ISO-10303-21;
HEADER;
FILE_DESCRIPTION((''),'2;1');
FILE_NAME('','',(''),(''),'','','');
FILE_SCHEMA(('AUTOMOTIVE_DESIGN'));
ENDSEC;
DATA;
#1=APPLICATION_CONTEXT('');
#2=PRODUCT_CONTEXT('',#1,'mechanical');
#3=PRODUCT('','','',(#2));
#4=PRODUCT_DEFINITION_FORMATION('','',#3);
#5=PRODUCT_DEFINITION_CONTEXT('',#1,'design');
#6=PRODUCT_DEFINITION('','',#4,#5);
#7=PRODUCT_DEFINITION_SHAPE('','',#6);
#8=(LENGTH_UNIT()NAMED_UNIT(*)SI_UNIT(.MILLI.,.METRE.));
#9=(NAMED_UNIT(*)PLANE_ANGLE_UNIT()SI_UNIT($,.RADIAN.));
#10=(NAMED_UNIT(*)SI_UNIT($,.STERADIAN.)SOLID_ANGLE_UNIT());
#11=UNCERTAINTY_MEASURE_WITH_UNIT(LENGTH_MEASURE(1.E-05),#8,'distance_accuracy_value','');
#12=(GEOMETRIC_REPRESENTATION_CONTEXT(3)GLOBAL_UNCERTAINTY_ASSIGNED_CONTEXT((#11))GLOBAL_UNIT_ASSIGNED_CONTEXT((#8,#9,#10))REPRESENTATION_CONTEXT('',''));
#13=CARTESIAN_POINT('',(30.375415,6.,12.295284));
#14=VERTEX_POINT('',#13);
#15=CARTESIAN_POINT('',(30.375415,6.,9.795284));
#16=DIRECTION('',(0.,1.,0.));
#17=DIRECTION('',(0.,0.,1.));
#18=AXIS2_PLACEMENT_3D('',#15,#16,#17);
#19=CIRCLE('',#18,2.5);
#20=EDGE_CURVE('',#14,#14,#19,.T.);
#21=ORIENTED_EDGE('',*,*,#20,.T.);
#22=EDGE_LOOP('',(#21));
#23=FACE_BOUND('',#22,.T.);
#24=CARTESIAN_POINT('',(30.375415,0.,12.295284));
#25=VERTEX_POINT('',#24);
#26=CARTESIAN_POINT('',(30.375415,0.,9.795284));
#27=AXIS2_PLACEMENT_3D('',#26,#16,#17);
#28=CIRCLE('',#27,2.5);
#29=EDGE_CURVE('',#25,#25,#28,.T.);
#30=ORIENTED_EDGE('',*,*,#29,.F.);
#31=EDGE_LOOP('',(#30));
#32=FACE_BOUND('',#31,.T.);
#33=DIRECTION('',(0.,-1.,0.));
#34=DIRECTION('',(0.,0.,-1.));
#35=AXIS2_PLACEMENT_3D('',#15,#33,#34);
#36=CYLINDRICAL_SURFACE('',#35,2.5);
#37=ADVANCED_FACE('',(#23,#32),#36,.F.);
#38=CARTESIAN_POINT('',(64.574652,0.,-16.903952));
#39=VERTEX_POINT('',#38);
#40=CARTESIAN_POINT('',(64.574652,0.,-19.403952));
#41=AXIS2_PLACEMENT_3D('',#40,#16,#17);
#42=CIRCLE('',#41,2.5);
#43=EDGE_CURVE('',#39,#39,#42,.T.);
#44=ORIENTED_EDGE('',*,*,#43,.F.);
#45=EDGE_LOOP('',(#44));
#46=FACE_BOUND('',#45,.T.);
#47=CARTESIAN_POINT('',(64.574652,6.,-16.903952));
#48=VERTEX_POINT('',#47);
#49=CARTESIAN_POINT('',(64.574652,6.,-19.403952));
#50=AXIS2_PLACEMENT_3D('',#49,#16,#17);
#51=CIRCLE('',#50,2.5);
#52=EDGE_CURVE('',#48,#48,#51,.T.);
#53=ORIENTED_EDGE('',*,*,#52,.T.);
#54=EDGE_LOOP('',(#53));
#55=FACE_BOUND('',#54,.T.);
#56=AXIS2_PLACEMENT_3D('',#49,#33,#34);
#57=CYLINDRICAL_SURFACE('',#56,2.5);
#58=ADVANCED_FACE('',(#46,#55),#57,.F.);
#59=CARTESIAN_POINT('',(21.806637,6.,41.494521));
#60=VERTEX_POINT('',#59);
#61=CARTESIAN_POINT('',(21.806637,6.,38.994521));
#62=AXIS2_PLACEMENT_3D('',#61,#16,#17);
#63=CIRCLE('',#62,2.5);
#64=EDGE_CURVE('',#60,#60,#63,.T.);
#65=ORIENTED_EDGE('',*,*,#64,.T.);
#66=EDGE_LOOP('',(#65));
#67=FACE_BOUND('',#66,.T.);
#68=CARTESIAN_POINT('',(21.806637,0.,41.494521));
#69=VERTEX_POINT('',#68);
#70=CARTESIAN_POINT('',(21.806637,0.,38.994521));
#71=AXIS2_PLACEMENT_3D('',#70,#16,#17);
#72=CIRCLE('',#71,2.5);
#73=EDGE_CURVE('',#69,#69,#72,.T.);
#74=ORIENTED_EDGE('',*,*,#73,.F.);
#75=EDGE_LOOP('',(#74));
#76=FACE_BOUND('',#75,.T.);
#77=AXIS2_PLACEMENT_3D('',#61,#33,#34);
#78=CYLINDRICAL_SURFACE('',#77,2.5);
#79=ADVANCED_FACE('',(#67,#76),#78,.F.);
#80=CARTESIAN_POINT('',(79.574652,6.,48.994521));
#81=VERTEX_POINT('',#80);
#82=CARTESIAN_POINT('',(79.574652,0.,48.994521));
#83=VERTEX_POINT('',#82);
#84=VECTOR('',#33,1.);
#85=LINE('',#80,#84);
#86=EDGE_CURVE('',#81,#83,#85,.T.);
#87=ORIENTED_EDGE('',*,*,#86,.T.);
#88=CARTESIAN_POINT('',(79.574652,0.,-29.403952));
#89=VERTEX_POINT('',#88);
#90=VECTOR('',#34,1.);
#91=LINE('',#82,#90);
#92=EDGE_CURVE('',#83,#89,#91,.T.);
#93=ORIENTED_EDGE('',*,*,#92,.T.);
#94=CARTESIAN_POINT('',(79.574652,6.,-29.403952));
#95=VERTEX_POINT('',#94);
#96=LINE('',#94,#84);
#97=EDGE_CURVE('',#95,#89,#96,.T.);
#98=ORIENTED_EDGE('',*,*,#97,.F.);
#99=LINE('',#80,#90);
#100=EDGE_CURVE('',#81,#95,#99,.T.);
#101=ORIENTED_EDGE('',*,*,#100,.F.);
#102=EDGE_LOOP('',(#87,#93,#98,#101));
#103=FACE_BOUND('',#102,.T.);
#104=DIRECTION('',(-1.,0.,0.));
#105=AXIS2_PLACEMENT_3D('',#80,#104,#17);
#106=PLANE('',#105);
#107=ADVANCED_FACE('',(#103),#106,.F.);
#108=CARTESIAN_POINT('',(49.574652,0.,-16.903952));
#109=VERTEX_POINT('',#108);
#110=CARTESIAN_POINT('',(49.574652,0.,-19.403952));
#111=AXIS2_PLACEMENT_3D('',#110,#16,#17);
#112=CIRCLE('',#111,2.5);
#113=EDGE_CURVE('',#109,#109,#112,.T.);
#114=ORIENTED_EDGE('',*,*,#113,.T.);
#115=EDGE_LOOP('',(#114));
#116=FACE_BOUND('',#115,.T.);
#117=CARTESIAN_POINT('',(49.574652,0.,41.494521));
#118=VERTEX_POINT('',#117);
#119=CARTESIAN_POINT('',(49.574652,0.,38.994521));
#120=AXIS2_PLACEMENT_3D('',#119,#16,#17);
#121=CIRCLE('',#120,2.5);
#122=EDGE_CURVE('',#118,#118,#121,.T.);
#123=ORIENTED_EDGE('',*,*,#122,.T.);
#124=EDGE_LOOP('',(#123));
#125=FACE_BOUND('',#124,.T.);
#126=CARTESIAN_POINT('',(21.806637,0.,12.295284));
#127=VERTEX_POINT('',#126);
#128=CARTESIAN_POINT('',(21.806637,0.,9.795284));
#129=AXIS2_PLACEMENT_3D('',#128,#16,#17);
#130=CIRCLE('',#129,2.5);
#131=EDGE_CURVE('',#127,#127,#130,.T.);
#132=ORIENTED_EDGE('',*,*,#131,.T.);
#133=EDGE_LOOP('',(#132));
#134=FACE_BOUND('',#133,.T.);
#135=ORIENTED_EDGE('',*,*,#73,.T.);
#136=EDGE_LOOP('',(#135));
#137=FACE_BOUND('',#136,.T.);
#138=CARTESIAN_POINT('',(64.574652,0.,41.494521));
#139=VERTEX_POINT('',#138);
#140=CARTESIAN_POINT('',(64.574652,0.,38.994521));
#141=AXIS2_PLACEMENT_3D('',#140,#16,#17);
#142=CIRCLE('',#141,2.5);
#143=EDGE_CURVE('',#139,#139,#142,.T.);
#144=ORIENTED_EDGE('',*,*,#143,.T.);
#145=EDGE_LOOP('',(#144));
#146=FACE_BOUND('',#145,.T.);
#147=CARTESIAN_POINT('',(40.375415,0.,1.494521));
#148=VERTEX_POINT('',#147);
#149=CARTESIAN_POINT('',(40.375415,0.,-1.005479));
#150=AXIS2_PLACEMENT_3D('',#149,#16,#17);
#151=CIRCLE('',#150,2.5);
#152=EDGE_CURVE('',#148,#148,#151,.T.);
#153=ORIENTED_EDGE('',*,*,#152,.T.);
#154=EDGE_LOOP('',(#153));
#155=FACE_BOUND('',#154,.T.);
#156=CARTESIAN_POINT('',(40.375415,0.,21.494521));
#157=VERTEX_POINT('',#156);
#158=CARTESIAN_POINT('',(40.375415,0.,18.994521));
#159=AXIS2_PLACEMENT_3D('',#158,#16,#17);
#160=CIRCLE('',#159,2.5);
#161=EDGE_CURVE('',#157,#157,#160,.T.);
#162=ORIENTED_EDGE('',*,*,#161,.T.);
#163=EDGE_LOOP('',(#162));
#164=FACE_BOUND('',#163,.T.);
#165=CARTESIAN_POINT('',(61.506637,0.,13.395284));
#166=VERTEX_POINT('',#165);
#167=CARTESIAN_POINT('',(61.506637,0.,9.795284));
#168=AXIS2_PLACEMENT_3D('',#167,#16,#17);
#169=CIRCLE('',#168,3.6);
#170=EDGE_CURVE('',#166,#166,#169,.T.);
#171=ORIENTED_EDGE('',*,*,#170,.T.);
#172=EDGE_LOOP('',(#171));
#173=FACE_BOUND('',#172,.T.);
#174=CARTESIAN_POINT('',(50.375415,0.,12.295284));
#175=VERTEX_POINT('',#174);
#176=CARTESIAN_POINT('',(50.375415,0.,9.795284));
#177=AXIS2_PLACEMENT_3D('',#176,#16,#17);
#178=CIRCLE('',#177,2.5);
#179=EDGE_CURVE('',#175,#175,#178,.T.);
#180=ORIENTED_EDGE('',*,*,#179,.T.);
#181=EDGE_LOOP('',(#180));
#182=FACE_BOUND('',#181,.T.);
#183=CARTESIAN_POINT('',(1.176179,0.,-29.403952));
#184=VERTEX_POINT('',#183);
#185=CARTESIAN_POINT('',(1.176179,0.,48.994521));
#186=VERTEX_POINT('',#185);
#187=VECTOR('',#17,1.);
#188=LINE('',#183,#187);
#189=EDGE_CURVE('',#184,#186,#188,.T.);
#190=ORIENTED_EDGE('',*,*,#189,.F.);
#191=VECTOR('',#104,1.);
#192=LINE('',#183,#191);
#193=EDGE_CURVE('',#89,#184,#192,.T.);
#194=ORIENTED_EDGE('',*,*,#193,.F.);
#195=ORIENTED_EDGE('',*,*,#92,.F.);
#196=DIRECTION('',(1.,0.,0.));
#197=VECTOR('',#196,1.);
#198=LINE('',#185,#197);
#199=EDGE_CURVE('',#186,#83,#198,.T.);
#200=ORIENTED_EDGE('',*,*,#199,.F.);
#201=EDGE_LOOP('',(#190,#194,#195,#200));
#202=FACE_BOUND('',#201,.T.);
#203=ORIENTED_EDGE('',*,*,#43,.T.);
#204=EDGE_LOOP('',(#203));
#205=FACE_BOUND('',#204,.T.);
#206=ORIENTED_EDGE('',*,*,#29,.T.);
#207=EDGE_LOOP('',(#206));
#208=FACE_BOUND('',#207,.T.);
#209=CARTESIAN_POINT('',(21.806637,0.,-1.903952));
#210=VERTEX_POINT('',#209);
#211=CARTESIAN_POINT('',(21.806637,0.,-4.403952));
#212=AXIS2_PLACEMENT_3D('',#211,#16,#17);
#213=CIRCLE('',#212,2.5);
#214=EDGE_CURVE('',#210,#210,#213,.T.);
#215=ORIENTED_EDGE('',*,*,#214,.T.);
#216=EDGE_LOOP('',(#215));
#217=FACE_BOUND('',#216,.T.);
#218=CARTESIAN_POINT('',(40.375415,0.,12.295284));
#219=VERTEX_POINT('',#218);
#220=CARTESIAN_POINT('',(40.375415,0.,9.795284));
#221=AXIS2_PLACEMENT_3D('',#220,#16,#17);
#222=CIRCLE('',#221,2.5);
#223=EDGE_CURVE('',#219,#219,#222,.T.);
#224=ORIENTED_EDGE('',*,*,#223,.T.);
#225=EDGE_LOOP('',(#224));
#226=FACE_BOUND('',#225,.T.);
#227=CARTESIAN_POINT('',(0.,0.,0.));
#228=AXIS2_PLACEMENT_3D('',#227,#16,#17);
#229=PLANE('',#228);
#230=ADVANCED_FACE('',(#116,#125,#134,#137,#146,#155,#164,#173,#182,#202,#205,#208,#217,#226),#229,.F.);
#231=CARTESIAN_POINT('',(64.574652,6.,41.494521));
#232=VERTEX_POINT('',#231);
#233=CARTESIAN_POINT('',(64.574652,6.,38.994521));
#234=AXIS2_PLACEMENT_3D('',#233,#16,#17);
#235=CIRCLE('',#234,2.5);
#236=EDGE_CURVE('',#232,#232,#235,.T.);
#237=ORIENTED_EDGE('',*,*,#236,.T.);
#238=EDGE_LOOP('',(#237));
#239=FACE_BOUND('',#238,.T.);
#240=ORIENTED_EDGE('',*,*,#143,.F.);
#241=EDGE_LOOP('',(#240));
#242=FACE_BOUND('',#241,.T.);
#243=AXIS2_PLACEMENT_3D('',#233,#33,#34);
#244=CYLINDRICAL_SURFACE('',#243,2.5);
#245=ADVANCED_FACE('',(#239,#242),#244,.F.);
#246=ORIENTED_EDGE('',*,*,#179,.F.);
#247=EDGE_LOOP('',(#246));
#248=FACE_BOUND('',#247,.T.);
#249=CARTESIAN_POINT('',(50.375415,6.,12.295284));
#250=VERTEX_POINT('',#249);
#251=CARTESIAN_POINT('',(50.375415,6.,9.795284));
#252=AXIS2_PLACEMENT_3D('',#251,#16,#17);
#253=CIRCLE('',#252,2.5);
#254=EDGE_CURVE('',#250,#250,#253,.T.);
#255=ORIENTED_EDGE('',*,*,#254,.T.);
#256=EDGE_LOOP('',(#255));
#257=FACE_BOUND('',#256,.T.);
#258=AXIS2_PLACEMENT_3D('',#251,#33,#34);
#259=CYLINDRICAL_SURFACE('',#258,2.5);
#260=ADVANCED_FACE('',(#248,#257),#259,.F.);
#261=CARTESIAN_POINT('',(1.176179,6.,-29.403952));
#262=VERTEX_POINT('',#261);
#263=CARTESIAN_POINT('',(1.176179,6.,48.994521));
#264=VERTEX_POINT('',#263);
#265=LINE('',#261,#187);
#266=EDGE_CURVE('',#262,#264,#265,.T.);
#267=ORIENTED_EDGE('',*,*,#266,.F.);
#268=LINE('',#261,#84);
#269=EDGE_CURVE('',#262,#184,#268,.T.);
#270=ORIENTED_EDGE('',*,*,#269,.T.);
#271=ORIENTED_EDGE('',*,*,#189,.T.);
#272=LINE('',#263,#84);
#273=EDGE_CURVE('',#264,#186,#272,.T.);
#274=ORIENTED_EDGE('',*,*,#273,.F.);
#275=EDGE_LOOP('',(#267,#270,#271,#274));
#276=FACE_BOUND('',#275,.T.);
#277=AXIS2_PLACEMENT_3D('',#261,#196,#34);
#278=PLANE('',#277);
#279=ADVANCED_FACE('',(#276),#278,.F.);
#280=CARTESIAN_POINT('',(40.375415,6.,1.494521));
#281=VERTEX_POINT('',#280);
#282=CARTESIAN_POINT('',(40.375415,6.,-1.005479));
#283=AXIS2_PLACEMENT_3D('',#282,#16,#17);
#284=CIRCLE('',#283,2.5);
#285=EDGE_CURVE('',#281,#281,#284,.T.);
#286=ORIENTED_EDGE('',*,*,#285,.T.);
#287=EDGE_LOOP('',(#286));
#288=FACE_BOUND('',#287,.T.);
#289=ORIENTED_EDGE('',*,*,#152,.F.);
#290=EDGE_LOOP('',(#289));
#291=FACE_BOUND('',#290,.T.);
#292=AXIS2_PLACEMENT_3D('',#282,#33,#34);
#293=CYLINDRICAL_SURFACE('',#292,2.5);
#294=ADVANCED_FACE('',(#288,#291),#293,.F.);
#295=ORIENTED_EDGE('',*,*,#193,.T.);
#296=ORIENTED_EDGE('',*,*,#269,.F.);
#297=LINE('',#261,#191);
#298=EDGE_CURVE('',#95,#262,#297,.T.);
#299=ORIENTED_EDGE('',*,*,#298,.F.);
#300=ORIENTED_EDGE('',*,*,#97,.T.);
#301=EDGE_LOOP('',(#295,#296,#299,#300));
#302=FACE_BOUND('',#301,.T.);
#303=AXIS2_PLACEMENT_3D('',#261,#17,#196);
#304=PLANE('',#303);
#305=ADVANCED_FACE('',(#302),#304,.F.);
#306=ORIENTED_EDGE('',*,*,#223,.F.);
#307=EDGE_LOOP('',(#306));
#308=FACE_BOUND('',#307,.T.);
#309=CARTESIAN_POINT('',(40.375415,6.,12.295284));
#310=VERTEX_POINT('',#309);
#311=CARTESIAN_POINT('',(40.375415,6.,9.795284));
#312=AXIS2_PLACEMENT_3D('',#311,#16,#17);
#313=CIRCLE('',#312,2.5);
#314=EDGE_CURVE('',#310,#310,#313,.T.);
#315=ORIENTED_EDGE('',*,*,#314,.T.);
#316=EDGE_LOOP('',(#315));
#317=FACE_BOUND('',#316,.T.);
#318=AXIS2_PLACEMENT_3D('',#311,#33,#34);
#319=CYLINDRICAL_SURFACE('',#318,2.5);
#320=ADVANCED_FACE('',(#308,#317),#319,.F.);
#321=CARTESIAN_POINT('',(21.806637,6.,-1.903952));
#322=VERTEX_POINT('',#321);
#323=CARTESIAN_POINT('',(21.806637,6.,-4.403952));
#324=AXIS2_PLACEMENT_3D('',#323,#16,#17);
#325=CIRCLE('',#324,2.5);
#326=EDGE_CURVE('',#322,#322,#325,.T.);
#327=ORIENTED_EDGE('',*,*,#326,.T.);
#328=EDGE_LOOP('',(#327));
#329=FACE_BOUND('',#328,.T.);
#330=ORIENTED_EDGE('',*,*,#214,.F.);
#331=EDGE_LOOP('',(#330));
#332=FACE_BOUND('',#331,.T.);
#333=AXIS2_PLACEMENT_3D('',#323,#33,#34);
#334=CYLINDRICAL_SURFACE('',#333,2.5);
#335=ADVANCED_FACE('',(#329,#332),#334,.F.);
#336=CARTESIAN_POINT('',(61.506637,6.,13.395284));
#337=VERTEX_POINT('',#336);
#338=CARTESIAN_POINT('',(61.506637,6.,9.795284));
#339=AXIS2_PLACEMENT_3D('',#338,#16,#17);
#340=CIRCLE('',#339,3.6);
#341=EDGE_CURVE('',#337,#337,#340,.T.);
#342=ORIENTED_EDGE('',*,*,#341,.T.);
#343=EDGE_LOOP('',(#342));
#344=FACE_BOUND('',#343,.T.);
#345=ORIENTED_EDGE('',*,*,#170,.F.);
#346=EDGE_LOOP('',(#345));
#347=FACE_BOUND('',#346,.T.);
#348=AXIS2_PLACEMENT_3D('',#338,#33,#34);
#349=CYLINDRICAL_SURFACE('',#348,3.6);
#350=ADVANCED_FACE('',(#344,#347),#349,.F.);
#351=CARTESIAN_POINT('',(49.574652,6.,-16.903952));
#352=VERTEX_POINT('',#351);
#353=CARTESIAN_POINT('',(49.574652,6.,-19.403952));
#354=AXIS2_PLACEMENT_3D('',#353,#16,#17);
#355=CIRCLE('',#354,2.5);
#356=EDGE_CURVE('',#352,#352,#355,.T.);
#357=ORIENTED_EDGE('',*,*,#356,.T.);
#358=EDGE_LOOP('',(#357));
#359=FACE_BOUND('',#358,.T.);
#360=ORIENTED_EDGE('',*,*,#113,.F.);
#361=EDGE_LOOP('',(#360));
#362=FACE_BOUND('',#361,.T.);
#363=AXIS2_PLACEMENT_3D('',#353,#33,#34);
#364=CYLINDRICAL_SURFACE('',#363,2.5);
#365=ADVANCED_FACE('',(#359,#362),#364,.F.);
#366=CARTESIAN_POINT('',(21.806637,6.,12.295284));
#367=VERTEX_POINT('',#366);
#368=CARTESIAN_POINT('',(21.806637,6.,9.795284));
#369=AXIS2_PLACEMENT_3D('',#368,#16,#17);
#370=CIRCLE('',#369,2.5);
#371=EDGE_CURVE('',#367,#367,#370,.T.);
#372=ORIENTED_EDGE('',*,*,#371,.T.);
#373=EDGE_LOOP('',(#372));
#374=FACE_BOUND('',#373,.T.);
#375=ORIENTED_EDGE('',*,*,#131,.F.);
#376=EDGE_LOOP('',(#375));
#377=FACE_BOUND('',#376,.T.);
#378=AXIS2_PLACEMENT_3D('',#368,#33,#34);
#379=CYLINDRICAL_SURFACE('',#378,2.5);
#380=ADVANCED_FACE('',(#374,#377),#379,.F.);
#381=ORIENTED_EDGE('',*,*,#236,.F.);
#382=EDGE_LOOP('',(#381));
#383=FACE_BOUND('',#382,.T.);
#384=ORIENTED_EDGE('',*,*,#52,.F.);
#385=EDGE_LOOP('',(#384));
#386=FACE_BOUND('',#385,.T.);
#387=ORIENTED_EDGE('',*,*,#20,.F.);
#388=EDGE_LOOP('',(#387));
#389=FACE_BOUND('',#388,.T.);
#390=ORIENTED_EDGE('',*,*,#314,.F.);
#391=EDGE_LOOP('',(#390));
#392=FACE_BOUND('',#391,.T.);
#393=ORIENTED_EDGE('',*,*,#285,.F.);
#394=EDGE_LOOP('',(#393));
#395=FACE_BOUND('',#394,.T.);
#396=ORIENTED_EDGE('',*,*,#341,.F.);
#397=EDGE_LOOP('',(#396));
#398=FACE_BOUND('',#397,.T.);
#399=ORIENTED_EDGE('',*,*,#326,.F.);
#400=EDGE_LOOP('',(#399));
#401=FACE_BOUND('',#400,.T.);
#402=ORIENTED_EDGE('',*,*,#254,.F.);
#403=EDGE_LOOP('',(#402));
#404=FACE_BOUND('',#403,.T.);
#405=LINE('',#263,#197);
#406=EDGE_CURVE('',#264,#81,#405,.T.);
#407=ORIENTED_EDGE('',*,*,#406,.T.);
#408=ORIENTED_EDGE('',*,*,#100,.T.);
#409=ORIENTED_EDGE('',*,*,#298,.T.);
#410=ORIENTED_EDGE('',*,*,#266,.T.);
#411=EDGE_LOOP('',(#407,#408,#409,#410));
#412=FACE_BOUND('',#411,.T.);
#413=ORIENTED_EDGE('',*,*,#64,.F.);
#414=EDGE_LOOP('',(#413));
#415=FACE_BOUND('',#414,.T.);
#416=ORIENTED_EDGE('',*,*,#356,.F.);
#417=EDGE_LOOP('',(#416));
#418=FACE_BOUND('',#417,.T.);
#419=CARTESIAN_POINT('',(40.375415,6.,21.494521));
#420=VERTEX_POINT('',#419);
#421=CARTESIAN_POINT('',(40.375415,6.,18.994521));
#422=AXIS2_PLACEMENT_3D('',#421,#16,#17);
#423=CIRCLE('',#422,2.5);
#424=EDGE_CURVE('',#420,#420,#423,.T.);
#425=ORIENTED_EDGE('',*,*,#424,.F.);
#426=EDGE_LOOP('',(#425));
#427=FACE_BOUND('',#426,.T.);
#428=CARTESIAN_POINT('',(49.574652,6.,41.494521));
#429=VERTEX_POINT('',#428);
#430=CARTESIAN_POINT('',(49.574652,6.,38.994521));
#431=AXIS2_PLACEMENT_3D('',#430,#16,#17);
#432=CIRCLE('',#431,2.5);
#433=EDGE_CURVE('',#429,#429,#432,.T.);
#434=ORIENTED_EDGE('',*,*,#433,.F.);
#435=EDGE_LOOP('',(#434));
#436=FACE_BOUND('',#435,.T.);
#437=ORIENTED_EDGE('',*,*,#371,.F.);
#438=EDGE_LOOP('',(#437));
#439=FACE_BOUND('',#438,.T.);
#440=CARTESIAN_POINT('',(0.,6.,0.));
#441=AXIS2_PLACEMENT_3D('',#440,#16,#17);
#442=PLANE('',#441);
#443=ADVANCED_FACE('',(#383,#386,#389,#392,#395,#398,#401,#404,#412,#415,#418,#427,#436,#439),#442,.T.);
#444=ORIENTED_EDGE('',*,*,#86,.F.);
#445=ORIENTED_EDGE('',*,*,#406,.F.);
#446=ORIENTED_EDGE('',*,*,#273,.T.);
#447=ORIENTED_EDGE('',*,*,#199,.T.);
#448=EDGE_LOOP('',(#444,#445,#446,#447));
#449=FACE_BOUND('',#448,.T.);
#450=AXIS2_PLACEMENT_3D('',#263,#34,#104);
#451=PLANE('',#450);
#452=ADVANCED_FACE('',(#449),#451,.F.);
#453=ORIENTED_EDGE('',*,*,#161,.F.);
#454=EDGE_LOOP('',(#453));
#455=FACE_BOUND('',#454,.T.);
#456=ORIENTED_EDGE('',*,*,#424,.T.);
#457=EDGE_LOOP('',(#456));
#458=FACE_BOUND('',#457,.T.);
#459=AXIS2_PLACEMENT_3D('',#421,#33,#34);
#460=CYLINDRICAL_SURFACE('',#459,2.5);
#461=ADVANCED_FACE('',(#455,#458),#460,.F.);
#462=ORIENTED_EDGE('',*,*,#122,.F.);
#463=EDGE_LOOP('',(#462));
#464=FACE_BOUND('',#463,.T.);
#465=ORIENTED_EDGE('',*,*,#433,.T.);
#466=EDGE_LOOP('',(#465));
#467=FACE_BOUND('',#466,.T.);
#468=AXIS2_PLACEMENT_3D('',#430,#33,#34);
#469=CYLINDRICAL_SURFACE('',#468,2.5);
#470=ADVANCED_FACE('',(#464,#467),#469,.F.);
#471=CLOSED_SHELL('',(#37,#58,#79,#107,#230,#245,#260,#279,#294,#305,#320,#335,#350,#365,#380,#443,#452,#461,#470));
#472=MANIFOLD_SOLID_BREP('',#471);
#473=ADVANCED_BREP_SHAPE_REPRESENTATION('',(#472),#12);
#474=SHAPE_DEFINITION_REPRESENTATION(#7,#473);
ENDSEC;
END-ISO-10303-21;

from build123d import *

# Parameters (mm, degrees)
SKETCH1_W           = 78.398472783
SKETCH1_H           = 78.398472783
SKETCH1_R           = 2.5
SKETCH1_R_2         = 3.6
BOSS_EXTRUDE1_DEPTH = 6


with BuildPart() as part:
    # Sketch1 → Boss-Extrude1 (new body)
    with BuildSketch(Plane(origin=(0, 0, 0), x_dir=(1, 0, 0), z_dir=(0, 1, 0))):
        with Locations((40.375415283, -9.795284327)):
            Rectangle(SKETCH1_W, SKETCH1_H)
        with Locations((21.806637056, 4.403952064)):
            Circle(SKETCH1_R, mode=Mode.SUBTRACT)
        with Locations((21.806637056, -38.994520719)):
            Circle(SKETCH1_R, mode=Mode.SUBTRACT)
        with Locations((64.574651674, 19.403952064)):
            Circle(SKETCH1_R, mode=Mode.SUBTRACT)
        with Locations((49.574651674, 19.403952064)):
            Circle(SKETCH1_R, mode=Mode.SUBTRACT)
        with Locations((61.506637056, -9.795284327)):
            Circle(SKETCH1_R_2, mode=Mode.SUBTRACT)
        with Locations((40.375415282, -9.795284327)):
            Circle(SKETCH1_R, mode=Mode.SUBTRACT)
        with Locations((30.375415282, -9.795284327)):
            Circle(SKETCH1_R, mode=Mode.SUBTRACT)
        with Locations((21.806637056, -9.795284327)):
            Circle(SKETCH1_R, mode=Mode.SUBTRACT)
        with Locations((50.375415282, -9.795284327)):
            Circle(SKETCH1_R, mode=Mode.SUBTRACT)
        with Locations((64.574651674, -38.994520719)):
            Circle(SKETCH1_R, mode=Mode.SUBTRACT)
        with Locations((49.574651674, -38.994520719)):
            Circle(SKETCH1_R, mode=Mode.SUBTRACT)
        with Locations((40.375415282, -18.994520719)):
            Circle(SKETCH1_R, mode=Mode.SUBTRACT)
        with Locations((40.375415282, 1.005479281)):
            Circle(SKETCH1_R, mode=Mode.SUBTRACT)
    extrude(amount=BOSS_EXTRUDE1_DEPTH)


solid = part.part
